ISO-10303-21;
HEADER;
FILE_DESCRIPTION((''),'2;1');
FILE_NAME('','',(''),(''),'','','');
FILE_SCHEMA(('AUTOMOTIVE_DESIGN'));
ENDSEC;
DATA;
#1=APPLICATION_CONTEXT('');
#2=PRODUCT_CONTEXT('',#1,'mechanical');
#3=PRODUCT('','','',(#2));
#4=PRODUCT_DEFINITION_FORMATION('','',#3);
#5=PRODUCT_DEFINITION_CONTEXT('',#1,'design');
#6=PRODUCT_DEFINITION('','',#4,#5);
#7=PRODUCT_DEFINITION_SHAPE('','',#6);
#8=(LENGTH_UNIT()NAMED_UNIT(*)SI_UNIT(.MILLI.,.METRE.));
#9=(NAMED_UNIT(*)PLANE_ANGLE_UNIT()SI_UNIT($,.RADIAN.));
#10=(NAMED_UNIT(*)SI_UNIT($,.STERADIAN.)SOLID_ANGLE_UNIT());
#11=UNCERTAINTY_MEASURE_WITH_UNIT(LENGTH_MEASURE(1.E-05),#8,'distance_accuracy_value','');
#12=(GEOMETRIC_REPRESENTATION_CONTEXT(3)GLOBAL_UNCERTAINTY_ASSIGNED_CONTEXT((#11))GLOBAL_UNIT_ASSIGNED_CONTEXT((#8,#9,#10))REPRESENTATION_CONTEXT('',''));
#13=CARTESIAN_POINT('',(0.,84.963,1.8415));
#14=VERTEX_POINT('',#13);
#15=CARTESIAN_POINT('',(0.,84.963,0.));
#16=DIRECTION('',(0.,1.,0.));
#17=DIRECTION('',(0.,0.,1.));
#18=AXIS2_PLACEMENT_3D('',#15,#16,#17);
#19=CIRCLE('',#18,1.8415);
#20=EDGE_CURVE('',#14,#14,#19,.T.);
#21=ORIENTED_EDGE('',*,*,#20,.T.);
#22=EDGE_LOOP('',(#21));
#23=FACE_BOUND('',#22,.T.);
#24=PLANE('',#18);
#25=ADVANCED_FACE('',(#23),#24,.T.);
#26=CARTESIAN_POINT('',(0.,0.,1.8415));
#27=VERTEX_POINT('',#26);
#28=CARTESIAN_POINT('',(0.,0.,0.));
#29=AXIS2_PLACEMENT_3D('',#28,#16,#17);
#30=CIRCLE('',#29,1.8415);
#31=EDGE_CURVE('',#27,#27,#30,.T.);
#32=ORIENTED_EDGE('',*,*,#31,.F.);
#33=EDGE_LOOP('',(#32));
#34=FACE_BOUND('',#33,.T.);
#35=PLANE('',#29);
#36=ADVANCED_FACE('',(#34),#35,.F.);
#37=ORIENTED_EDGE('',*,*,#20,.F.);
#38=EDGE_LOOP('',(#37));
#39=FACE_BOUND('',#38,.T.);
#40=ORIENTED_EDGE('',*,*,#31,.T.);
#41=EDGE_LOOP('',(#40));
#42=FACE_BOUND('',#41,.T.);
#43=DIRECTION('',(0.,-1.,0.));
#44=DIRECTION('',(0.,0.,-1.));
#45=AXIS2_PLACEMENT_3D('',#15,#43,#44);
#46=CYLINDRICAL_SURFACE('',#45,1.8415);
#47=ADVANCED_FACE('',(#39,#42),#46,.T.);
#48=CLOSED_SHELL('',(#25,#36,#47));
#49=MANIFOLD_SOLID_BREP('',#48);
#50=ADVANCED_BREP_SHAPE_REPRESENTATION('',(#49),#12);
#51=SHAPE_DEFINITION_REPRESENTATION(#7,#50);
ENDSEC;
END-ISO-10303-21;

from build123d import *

# Parameters (mm, degrees)
SKETCH1_R           = 1.8415
BOSS_EXTRUDE1_DEPTH = 84.963


with BuildPart() as part:
    # Sketch1 → Boss-Extrude1 (new body)
    with BuildSketch(Plane(origin=(0, 0, 0), x_dir=(1, 0, 0), z_dir=(0, 1, 0))):
        Circle(SKETCH1_R)
    extrude(amount=BOSS_EXTRUDE1_DEPTH)


solid = part.part
